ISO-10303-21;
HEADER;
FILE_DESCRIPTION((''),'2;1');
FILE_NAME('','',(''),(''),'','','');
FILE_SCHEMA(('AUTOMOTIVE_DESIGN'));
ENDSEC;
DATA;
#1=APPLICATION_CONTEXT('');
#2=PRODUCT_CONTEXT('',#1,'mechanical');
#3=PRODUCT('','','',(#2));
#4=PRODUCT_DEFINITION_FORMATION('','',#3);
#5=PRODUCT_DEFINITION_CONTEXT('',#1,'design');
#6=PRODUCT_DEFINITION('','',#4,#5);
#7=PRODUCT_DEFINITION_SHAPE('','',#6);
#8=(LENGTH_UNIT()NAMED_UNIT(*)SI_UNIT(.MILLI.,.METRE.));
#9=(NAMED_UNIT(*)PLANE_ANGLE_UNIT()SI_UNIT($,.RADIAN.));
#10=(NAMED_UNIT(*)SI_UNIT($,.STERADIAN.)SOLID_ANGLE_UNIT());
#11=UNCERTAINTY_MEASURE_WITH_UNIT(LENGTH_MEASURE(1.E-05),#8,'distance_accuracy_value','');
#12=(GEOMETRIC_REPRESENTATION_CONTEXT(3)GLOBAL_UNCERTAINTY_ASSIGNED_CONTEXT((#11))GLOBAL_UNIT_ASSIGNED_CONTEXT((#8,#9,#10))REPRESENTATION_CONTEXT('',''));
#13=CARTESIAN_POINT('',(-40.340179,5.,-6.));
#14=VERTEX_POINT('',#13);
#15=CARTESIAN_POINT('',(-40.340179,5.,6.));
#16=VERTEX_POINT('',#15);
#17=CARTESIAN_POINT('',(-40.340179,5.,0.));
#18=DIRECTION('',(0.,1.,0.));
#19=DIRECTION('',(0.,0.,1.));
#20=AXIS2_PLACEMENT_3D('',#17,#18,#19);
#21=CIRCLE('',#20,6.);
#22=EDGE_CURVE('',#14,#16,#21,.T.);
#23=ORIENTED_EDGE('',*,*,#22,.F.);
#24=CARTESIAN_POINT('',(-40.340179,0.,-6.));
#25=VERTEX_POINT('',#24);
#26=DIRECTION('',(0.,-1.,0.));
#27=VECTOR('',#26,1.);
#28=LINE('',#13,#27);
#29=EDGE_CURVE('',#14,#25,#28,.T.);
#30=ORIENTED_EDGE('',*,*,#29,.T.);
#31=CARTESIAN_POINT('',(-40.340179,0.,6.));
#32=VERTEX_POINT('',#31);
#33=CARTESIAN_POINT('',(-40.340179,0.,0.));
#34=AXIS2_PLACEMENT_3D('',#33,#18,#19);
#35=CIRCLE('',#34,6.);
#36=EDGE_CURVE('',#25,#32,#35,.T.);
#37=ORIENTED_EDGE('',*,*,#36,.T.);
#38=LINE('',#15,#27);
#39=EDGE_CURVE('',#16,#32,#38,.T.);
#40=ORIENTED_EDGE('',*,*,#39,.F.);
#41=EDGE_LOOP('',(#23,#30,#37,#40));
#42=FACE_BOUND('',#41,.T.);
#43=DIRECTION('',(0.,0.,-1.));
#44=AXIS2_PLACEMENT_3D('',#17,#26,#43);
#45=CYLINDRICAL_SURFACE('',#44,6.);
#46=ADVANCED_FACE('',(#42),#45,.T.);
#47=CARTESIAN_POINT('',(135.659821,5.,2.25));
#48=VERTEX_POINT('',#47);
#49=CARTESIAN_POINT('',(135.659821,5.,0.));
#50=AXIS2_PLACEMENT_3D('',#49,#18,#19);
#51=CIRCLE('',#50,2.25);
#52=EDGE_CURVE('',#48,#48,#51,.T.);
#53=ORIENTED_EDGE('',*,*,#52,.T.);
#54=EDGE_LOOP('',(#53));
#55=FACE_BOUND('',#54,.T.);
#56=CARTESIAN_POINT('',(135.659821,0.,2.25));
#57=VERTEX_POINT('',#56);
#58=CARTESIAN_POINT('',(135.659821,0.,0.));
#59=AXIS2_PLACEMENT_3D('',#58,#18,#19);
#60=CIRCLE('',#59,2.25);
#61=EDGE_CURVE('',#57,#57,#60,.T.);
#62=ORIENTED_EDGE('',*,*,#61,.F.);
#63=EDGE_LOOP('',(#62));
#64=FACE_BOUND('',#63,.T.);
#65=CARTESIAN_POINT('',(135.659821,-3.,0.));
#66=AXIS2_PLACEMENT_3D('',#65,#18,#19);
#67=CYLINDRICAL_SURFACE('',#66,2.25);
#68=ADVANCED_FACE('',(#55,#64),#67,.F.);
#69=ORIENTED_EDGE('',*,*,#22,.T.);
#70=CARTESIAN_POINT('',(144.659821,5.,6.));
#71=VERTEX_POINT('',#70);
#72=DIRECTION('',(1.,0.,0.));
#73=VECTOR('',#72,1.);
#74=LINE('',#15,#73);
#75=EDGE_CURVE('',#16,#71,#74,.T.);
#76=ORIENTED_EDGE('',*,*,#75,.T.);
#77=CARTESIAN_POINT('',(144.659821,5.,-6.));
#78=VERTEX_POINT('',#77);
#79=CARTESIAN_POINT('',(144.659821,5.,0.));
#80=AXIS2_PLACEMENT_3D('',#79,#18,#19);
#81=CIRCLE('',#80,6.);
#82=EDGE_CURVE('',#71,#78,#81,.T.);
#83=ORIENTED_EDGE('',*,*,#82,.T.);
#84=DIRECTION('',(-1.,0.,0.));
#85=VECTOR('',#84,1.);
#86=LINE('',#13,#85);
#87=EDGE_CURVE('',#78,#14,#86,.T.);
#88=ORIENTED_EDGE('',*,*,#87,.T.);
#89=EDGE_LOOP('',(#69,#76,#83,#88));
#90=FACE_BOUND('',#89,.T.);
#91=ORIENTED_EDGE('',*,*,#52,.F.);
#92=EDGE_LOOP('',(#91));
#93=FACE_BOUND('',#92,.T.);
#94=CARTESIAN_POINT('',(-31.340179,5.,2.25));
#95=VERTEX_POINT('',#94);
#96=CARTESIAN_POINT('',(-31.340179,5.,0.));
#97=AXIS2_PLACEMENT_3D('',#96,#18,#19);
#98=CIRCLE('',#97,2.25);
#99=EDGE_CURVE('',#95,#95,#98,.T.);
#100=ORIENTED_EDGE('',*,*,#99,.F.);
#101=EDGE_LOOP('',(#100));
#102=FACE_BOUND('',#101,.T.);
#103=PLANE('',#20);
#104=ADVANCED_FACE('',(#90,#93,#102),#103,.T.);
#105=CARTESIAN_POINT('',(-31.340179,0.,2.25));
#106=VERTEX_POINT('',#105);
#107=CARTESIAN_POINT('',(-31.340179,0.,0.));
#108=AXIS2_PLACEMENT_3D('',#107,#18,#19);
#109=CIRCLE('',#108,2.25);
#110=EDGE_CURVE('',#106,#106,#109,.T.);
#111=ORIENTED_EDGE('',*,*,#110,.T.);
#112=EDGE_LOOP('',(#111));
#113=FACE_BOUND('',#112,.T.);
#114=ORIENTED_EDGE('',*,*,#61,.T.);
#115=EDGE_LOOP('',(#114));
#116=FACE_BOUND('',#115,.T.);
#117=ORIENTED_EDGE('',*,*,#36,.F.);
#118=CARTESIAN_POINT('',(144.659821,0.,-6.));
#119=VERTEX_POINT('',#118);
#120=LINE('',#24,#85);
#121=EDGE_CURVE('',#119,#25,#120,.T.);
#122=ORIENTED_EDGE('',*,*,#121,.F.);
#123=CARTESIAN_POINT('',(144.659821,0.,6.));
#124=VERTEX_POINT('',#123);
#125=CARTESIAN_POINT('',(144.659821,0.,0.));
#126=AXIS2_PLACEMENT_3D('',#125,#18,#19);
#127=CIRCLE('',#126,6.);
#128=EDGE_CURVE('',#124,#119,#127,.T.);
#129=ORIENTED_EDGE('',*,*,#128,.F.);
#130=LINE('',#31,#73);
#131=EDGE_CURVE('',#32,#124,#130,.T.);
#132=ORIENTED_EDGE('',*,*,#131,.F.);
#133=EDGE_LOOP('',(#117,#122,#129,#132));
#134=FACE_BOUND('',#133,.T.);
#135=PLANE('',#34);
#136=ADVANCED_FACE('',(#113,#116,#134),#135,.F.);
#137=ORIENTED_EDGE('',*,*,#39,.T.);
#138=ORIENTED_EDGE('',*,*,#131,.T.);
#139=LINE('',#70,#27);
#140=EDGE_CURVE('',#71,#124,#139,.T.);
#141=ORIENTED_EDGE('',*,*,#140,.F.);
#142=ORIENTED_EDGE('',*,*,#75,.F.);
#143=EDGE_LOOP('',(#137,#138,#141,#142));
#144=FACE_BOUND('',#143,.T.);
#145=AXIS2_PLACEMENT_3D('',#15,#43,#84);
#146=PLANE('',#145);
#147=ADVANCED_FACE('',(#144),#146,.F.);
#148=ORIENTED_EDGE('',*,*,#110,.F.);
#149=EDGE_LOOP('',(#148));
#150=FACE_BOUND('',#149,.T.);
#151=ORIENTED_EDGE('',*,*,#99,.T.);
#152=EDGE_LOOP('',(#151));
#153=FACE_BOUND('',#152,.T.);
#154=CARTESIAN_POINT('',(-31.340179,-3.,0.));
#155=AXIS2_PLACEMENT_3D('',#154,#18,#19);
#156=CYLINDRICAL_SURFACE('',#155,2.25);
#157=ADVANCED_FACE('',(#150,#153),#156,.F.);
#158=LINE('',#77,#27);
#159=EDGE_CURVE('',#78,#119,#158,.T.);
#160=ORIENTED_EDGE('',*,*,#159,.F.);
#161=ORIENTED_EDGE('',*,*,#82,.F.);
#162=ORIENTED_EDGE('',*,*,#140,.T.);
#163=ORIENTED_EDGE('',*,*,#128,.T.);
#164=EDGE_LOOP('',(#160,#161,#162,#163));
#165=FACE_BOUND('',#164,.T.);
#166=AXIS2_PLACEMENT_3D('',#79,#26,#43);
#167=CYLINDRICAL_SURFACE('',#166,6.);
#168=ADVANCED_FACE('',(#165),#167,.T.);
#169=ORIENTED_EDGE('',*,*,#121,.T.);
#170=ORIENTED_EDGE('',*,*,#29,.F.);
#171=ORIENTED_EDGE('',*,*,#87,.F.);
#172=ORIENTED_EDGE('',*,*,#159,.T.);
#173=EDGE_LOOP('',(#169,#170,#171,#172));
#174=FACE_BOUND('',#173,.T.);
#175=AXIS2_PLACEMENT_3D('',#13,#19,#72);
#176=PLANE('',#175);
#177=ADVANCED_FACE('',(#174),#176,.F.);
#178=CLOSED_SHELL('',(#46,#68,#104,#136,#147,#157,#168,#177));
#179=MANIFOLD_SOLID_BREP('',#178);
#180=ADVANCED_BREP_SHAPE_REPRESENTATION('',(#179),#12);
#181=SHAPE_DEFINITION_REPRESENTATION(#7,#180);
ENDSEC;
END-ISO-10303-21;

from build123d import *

# Parameters (mm, degrees)
BOSS_EXTRUDE1_DEPTH = 5
SKETCH2_R           = 2.25
CUT_EXTRUDE1_DEPTH  = 8


with BuildPart() as part:
    # Sketch1 → Boss-Extrude1 (new body)
    with BuildSketch(Plane(origin=(0, 0, 0), x_dir=(1, 0, 0), z_dir=(0, 1, 0))):
        with BuildLine():
            Line((-40.340178872, 6), (144.659821128, 6))
            ThreePointArc((144.659821128, 6), (150.659821128, 0), (144.659821128, -6))
            Line((144.659821128, -6), (-40.340178872, -6))
            ThreePointArc((-40.340178872, -6), (-46.340178872, 0), (-40.340178872, 6))
        make_face()
    extrude(amount=BOSS_EXTRUDE1_DEPTH)

    # Sketch2 → Cut-Extrude1 (cut)
    with BuildSketch(Plane(origin=(0, 5, 0), x_dir=(1, 0, 0), z_dir=(0, 1, 0))):
        with Locations(Location((-31.340178872, 0, 0), (0, 0, 270))):
            Circle(SKETCH2_R)
        with Locations(Location((135.659821128, 0, 0), (0, 0, 270))):
            Circle(SKETCH2_R)
    extrude(amount=-CUT_EXTRUDE1_DEPTH, mode=Mode.SUBTRACT)


solid = part.part
